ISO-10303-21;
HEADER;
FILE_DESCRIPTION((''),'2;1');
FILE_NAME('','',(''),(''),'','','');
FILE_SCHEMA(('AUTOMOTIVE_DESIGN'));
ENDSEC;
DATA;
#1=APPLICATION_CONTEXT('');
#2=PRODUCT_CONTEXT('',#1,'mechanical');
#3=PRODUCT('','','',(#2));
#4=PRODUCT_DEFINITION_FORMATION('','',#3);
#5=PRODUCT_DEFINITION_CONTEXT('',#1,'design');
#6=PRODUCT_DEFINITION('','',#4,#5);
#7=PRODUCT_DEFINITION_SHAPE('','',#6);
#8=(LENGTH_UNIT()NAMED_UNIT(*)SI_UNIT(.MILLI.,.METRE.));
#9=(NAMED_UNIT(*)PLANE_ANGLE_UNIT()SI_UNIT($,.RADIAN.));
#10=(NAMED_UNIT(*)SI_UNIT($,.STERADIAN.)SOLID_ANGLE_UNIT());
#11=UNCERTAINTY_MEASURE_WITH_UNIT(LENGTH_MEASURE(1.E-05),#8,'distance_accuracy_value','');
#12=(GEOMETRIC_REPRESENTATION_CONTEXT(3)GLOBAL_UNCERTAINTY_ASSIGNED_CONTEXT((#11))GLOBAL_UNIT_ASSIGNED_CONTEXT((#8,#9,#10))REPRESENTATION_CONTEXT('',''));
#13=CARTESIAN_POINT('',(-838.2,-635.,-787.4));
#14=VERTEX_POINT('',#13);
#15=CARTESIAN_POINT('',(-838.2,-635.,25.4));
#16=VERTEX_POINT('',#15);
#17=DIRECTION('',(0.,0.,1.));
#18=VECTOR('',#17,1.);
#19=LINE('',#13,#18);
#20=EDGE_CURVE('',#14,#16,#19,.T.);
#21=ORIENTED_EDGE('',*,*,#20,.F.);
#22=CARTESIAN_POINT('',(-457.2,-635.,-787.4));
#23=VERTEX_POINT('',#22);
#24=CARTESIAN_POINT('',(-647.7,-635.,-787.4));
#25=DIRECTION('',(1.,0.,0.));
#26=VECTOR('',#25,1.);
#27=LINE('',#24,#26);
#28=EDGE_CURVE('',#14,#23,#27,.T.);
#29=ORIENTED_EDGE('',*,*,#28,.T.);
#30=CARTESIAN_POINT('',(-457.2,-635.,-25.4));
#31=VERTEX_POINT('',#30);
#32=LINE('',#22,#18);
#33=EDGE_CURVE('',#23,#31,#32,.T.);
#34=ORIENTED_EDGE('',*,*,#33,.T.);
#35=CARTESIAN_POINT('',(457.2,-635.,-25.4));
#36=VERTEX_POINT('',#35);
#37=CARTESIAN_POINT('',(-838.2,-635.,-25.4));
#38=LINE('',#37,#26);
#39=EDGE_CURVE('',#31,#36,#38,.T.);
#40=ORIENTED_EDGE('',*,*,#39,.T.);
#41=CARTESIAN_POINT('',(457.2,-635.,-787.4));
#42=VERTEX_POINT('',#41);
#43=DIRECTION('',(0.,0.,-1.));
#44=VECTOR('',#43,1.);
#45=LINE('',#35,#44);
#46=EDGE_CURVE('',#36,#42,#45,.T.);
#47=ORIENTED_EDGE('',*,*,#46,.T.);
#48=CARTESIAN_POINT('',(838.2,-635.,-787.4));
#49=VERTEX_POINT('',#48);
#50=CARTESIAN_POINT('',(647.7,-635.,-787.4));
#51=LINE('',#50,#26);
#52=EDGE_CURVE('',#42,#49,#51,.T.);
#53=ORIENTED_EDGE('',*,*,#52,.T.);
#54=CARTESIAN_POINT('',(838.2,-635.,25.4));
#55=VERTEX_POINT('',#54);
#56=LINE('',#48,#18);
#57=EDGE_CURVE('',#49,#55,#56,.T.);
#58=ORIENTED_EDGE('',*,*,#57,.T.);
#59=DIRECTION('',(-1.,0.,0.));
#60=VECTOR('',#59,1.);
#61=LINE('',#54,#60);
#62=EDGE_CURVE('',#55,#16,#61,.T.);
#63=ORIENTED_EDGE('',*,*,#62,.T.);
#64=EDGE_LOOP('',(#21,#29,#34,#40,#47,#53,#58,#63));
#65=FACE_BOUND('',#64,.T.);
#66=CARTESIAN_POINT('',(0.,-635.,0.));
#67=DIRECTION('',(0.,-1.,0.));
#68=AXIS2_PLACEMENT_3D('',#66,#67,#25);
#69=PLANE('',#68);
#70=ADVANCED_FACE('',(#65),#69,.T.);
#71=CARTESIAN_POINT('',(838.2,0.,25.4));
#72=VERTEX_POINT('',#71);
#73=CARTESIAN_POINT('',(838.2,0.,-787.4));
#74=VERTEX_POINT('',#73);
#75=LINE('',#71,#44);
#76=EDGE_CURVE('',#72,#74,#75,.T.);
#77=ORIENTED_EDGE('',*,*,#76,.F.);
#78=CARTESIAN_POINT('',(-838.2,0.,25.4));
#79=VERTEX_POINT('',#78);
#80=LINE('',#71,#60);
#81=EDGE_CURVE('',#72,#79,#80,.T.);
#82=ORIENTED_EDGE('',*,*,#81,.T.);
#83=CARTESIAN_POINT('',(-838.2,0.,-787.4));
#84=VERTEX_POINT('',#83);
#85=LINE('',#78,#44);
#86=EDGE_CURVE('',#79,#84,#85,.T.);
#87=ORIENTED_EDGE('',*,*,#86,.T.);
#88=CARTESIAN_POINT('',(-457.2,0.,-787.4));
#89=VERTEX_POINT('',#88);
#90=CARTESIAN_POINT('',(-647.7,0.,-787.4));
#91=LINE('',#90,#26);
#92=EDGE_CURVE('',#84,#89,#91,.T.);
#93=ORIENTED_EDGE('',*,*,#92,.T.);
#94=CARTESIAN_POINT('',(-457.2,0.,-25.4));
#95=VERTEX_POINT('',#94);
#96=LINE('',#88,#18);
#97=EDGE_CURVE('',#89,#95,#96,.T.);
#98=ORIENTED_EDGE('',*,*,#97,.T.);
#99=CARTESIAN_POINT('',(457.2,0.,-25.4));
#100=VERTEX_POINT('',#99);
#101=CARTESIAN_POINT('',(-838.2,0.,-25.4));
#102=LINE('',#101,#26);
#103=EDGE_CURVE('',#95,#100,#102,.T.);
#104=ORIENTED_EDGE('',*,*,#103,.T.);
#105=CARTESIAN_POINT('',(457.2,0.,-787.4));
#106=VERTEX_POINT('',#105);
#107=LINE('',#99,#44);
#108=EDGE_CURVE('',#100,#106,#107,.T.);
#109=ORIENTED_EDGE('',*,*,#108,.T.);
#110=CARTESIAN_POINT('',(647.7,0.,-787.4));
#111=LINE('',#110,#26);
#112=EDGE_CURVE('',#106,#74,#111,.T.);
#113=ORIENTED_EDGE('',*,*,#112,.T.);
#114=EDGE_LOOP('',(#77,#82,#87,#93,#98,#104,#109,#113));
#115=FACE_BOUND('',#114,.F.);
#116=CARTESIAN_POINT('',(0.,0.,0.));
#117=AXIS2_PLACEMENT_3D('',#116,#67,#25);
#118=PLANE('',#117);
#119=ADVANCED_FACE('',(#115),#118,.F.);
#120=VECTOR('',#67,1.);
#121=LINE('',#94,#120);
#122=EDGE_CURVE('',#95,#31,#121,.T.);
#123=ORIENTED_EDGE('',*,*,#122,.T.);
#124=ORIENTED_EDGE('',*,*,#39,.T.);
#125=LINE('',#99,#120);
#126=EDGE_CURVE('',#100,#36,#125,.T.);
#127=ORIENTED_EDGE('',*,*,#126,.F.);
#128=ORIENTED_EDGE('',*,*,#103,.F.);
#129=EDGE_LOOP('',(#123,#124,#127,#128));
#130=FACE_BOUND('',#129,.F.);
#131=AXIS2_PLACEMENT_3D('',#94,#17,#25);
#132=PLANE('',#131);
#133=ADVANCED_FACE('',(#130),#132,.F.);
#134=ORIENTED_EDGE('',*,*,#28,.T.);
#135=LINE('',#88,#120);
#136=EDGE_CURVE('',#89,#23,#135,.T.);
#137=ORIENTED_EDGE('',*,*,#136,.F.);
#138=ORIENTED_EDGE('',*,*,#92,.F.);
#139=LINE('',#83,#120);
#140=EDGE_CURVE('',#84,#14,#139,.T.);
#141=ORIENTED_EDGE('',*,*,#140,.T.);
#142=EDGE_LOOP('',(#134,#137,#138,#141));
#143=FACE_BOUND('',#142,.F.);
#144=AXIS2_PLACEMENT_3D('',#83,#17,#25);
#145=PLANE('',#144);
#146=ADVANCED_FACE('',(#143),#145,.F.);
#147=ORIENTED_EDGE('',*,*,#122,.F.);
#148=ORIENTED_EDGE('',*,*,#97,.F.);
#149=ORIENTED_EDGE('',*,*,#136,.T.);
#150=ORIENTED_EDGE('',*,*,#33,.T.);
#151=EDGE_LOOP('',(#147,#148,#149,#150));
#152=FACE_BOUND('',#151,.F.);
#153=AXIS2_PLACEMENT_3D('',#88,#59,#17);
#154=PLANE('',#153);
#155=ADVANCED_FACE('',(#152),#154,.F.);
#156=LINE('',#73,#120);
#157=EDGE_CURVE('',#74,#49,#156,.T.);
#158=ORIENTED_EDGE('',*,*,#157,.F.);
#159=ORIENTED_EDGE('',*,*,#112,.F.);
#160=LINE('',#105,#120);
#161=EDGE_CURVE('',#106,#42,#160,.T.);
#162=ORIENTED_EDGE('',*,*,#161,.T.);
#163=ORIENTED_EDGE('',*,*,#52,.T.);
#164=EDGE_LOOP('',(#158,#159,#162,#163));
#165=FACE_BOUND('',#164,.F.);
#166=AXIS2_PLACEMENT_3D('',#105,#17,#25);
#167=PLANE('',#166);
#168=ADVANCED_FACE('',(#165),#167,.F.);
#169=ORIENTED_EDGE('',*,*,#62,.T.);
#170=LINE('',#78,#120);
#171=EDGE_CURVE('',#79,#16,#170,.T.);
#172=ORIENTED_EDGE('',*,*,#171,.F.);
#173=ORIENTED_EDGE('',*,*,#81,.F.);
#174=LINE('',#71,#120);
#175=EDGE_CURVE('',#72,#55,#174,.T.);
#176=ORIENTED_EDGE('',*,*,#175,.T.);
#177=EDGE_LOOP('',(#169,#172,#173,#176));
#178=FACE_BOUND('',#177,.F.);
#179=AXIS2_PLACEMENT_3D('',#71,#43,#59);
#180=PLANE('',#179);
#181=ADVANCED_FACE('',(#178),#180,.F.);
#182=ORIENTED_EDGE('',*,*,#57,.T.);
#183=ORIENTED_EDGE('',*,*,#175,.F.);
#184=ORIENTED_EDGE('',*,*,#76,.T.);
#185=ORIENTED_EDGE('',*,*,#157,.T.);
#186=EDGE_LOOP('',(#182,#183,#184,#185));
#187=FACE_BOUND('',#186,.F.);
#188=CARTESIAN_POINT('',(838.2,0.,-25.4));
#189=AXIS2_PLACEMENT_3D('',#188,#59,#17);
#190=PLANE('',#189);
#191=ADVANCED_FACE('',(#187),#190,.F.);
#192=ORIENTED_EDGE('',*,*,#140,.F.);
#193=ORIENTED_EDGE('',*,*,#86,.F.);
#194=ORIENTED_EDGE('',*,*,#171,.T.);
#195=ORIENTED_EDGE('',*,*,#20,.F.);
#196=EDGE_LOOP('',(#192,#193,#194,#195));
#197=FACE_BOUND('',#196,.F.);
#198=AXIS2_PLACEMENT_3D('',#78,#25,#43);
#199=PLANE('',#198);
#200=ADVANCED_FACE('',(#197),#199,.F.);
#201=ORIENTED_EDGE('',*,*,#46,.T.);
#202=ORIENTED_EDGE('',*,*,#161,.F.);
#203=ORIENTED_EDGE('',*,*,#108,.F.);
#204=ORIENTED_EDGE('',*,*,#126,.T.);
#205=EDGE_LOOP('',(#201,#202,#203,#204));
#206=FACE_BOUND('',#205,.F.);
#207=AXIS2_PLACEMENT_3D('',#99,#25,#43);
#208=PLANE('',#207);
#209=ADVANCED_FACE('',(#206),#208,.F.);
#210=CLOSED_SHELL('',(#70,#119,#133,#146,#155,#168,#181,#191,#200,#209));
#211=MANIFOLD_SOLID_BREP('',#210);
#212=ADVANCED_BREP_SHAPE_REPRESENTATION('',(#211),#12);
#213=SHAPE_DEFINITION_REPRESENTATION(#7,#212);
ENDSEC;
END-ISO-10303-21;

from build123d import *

# Parameters (mm, degrees)
F1_DEPTH = 635
F0_W     = 381
F0_H     = 190.5
F0_H_2   = 215.9
F0_H_3   = 152.4
F0_H_4   = 355.6
F0_H_5   = 304.8
F2_DEPTH = 635


with BuildPart() as f1:
    # F0 (on Front) → F1 (new body)
    with BuildSketch(Plane.XZ):
        Polygon((-838.2, 25.4), (-838.2, -25.4), (-457.2, -25.4), (457.2, -25.4), (838.2, -25.4), (838.2, 25.4), align=None)
    extrude(amount=F1_DEPTH)

    # F0 (on Front) → F2 (join)
    with BuildSketch(Plane.XZ):
        Polygon((-838.2, 25.4), (-838.2, -25.4), (-457.2, -25.4), (457.2, -25.4), (838.2, -25.4), (838.2, 25.4), align=None)
        with Locations((-647.7, -120.65)):
            Rectangle(F0_W, F0_H)
        with Locations((-647.7, -323.85)):
            Rectangle(F0_W, F0_H_2)
        with Locations((647.7, -101.6)):
            Rectangle(F0_W, F0_H_3)
        with Locations((-647.7, -609.6)):
            Rectangle(F0_W, F0_H_4)
        with Locations((647.7, -330.2)):
            Rectangle(F0_W, F0_H_5)
        with Locations((647.7, -635)):
            Rectangle(F0_W, F0_H_5)
    extrude(amount=F2_DEPTH)


solid = f1.part
